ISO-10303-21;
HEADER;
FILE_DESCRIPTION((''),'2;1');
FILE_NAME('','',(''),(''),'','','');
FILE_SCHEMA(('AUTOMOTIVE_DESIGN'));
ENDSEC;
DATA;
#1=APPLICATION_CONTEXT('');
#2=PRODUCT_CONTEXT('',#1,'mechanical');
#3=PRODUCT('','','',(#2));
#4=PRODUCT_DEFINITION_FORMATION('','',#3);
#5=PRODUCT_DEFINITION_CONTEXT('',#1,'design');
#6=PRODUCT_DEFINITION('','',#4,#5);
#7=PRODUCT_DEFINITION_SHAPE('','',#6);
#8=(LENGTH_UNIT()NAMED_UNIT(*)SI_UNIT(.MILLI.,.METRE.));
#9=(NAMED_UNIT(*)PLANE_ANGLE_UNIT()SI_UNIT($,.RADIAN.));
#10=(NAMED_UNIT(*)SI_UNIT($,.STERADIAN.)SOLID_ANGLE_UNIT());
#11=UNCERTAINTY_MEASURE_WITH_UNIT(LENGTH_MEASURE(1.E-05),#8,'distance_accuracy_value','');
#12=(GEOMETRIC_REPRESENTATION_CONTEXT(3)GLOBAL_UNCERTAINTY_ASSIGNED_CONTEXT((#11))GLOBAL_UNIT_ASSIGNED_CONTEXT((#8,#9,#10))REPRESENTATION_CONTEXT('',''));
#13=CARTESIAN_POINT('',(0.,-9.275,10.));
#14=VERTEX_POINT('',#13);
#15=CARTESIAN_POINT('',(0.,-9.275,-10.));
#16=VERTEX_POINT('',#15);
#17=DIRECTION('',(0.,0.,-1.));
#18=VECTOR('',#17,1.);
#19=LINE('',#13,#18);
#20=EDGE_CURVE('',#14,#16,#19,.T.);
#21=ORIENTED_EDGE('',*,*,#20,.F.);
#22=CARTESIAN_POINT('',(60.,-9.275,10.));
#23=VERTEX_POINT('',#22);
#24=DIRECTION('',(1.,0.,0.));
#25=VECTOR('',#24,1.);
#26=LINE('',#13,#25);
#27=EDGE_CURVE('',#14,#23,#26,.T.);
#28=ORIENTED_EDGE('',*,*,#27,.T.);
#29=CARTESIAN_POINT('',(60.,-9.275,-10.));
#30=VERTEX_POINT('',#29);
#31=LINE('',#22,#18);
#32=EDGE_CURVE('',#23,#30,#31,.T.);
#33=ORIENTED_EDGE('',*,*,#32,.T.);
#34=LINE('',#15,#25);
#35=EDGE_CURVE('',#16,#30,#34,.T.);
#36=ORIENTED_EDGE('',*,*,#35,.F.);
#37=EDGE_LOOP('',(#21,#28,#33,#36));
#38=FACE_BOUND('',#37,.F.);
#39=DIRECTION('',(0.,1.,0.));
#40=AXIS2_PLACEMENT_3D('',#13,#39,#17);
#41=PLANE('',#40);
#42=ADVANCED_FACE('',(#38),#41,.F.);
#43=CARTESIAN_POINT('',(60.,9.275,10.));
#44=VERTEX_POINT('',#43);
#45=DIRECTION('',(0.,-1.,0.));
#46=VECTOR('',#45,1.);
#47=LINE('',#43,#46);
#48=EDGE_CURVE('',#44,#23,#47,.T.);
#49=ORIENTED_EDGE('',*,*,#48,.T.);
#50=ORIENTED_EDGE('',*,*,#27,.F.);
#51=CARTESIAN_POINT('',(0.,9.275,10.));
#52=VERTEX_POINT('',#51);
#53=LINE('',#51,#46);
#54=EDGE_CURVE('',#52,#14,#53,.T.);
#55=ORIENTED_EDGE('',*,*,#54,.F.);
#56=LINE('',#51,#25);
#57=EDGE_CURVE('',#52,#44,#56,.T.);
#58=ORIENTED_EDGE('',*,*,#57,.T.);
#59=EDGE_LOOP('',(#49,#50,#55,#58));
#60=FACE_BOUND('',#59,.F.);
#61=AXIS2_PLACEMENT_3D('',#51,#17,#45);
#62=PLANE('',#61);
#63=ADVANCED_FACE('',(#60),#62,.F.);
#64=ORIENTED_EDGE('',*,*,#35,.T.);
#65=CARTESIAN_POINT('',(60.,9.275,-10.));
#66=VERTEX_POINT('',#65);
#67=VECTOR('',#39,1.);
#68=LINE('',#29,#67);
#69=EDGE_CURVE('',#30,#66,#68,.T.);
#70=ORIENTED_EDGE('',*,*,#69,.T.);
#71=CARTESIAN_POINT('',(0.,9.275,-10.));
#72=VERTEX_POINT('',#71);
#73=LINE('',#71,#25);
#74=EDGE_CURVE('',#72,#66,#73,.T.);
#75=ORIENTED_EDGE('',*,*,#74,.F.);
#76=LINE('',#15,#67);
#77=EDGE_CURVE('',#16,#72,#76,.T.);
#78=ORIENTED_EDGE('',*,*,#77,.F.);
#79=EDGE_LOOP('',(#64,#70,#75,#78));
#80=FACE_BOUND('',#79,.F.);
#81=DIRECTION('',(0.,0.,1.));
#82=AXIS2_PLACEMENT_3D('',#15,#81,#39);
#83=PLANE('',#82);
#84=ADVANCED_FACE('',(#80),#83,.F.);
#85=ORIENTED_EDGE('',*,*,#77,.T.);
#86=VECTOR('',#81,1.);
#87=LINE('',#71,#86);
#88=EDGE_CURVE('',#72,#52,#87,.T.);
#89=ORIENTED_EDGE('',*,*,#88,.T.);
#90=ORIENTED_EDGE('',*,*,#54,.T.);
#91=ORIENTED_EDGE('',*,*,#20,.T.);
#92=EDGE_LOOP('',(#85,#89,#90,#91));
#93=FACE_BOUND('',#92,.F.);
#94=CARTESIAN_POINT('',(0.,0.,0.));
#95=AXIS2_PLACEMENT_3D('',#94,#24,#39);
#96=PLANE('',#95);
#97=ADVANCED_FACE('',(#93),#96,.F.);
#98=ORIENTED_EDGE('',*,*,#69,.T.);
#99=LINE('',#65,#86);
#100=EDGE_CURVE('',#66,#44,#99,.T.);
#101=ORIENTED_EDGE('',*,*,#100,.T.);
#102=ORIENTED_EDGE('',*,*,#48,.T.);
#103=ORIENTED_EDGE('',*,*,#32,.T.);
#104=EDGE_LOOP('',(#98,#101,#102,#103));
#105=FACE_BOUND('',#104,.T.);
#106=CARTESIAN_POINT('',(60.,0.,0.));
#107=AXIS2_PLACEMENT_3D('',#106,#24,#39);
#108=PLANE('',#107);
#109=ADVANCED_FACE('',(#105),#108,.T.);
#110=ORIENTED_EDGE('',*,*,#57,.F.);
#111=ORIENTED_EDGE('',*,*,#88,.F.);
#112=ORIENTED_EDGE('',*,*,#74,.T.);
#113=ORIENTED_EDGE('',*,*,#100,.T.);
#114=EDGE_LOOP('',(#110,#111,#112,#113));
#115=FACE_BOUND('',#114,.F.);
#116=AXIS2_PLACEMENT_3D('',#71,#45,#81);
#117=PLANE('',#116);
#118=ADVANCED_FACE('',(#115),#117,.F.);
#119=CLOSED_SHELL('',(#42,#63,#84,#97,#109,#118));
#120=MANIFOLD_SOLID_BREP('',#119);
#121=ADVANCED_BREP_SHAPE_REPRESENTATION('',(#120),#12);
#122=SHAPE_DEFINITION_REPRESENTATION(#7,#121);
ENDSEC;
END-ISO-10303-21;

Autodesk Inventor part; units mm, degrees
ref_plane "YZ Plane" through (0, 0, 0) normal (1, 0, 0) x (0, 1, 0)
ref_plane "XZ Plane" through (0, 0, 0) normal (0, 1, 0) x (-1, 0, 0)
ref_plane "XY Plane" through (0, 0, 0) normal (0, 0, 1) x (1, 0, 0)
sketch "Esquisse1" plane through (0, 0, 0) normal (1, 0, 0) x (0, 1, 0)
  line L0 (-9.275, -10) -> (9.275, -10)
  line L1 (9.275, -10) -> (9.275, 10)
  line L2 (9.275, 10) -> (-9.275, 10)
  line L3 (-9.275, 10) -> (-9.275, -10)
  line L4 (-9.275, -10) -> (9.275, 10) construction
  line L5 (9.275, -10) -> (-9.275, 10) construction
  point P0 (0, 0)
  dimension "d0" = 20
  dimension "d1" = 18.55
extrude "Extrusion1" add sketch "Esquisse1" along normal blind 60
ref_plane "Plan de construction1" through (30, 0, 0) normal (1, 0, 0) x (0, 0, -1)
properties part number "Block"
